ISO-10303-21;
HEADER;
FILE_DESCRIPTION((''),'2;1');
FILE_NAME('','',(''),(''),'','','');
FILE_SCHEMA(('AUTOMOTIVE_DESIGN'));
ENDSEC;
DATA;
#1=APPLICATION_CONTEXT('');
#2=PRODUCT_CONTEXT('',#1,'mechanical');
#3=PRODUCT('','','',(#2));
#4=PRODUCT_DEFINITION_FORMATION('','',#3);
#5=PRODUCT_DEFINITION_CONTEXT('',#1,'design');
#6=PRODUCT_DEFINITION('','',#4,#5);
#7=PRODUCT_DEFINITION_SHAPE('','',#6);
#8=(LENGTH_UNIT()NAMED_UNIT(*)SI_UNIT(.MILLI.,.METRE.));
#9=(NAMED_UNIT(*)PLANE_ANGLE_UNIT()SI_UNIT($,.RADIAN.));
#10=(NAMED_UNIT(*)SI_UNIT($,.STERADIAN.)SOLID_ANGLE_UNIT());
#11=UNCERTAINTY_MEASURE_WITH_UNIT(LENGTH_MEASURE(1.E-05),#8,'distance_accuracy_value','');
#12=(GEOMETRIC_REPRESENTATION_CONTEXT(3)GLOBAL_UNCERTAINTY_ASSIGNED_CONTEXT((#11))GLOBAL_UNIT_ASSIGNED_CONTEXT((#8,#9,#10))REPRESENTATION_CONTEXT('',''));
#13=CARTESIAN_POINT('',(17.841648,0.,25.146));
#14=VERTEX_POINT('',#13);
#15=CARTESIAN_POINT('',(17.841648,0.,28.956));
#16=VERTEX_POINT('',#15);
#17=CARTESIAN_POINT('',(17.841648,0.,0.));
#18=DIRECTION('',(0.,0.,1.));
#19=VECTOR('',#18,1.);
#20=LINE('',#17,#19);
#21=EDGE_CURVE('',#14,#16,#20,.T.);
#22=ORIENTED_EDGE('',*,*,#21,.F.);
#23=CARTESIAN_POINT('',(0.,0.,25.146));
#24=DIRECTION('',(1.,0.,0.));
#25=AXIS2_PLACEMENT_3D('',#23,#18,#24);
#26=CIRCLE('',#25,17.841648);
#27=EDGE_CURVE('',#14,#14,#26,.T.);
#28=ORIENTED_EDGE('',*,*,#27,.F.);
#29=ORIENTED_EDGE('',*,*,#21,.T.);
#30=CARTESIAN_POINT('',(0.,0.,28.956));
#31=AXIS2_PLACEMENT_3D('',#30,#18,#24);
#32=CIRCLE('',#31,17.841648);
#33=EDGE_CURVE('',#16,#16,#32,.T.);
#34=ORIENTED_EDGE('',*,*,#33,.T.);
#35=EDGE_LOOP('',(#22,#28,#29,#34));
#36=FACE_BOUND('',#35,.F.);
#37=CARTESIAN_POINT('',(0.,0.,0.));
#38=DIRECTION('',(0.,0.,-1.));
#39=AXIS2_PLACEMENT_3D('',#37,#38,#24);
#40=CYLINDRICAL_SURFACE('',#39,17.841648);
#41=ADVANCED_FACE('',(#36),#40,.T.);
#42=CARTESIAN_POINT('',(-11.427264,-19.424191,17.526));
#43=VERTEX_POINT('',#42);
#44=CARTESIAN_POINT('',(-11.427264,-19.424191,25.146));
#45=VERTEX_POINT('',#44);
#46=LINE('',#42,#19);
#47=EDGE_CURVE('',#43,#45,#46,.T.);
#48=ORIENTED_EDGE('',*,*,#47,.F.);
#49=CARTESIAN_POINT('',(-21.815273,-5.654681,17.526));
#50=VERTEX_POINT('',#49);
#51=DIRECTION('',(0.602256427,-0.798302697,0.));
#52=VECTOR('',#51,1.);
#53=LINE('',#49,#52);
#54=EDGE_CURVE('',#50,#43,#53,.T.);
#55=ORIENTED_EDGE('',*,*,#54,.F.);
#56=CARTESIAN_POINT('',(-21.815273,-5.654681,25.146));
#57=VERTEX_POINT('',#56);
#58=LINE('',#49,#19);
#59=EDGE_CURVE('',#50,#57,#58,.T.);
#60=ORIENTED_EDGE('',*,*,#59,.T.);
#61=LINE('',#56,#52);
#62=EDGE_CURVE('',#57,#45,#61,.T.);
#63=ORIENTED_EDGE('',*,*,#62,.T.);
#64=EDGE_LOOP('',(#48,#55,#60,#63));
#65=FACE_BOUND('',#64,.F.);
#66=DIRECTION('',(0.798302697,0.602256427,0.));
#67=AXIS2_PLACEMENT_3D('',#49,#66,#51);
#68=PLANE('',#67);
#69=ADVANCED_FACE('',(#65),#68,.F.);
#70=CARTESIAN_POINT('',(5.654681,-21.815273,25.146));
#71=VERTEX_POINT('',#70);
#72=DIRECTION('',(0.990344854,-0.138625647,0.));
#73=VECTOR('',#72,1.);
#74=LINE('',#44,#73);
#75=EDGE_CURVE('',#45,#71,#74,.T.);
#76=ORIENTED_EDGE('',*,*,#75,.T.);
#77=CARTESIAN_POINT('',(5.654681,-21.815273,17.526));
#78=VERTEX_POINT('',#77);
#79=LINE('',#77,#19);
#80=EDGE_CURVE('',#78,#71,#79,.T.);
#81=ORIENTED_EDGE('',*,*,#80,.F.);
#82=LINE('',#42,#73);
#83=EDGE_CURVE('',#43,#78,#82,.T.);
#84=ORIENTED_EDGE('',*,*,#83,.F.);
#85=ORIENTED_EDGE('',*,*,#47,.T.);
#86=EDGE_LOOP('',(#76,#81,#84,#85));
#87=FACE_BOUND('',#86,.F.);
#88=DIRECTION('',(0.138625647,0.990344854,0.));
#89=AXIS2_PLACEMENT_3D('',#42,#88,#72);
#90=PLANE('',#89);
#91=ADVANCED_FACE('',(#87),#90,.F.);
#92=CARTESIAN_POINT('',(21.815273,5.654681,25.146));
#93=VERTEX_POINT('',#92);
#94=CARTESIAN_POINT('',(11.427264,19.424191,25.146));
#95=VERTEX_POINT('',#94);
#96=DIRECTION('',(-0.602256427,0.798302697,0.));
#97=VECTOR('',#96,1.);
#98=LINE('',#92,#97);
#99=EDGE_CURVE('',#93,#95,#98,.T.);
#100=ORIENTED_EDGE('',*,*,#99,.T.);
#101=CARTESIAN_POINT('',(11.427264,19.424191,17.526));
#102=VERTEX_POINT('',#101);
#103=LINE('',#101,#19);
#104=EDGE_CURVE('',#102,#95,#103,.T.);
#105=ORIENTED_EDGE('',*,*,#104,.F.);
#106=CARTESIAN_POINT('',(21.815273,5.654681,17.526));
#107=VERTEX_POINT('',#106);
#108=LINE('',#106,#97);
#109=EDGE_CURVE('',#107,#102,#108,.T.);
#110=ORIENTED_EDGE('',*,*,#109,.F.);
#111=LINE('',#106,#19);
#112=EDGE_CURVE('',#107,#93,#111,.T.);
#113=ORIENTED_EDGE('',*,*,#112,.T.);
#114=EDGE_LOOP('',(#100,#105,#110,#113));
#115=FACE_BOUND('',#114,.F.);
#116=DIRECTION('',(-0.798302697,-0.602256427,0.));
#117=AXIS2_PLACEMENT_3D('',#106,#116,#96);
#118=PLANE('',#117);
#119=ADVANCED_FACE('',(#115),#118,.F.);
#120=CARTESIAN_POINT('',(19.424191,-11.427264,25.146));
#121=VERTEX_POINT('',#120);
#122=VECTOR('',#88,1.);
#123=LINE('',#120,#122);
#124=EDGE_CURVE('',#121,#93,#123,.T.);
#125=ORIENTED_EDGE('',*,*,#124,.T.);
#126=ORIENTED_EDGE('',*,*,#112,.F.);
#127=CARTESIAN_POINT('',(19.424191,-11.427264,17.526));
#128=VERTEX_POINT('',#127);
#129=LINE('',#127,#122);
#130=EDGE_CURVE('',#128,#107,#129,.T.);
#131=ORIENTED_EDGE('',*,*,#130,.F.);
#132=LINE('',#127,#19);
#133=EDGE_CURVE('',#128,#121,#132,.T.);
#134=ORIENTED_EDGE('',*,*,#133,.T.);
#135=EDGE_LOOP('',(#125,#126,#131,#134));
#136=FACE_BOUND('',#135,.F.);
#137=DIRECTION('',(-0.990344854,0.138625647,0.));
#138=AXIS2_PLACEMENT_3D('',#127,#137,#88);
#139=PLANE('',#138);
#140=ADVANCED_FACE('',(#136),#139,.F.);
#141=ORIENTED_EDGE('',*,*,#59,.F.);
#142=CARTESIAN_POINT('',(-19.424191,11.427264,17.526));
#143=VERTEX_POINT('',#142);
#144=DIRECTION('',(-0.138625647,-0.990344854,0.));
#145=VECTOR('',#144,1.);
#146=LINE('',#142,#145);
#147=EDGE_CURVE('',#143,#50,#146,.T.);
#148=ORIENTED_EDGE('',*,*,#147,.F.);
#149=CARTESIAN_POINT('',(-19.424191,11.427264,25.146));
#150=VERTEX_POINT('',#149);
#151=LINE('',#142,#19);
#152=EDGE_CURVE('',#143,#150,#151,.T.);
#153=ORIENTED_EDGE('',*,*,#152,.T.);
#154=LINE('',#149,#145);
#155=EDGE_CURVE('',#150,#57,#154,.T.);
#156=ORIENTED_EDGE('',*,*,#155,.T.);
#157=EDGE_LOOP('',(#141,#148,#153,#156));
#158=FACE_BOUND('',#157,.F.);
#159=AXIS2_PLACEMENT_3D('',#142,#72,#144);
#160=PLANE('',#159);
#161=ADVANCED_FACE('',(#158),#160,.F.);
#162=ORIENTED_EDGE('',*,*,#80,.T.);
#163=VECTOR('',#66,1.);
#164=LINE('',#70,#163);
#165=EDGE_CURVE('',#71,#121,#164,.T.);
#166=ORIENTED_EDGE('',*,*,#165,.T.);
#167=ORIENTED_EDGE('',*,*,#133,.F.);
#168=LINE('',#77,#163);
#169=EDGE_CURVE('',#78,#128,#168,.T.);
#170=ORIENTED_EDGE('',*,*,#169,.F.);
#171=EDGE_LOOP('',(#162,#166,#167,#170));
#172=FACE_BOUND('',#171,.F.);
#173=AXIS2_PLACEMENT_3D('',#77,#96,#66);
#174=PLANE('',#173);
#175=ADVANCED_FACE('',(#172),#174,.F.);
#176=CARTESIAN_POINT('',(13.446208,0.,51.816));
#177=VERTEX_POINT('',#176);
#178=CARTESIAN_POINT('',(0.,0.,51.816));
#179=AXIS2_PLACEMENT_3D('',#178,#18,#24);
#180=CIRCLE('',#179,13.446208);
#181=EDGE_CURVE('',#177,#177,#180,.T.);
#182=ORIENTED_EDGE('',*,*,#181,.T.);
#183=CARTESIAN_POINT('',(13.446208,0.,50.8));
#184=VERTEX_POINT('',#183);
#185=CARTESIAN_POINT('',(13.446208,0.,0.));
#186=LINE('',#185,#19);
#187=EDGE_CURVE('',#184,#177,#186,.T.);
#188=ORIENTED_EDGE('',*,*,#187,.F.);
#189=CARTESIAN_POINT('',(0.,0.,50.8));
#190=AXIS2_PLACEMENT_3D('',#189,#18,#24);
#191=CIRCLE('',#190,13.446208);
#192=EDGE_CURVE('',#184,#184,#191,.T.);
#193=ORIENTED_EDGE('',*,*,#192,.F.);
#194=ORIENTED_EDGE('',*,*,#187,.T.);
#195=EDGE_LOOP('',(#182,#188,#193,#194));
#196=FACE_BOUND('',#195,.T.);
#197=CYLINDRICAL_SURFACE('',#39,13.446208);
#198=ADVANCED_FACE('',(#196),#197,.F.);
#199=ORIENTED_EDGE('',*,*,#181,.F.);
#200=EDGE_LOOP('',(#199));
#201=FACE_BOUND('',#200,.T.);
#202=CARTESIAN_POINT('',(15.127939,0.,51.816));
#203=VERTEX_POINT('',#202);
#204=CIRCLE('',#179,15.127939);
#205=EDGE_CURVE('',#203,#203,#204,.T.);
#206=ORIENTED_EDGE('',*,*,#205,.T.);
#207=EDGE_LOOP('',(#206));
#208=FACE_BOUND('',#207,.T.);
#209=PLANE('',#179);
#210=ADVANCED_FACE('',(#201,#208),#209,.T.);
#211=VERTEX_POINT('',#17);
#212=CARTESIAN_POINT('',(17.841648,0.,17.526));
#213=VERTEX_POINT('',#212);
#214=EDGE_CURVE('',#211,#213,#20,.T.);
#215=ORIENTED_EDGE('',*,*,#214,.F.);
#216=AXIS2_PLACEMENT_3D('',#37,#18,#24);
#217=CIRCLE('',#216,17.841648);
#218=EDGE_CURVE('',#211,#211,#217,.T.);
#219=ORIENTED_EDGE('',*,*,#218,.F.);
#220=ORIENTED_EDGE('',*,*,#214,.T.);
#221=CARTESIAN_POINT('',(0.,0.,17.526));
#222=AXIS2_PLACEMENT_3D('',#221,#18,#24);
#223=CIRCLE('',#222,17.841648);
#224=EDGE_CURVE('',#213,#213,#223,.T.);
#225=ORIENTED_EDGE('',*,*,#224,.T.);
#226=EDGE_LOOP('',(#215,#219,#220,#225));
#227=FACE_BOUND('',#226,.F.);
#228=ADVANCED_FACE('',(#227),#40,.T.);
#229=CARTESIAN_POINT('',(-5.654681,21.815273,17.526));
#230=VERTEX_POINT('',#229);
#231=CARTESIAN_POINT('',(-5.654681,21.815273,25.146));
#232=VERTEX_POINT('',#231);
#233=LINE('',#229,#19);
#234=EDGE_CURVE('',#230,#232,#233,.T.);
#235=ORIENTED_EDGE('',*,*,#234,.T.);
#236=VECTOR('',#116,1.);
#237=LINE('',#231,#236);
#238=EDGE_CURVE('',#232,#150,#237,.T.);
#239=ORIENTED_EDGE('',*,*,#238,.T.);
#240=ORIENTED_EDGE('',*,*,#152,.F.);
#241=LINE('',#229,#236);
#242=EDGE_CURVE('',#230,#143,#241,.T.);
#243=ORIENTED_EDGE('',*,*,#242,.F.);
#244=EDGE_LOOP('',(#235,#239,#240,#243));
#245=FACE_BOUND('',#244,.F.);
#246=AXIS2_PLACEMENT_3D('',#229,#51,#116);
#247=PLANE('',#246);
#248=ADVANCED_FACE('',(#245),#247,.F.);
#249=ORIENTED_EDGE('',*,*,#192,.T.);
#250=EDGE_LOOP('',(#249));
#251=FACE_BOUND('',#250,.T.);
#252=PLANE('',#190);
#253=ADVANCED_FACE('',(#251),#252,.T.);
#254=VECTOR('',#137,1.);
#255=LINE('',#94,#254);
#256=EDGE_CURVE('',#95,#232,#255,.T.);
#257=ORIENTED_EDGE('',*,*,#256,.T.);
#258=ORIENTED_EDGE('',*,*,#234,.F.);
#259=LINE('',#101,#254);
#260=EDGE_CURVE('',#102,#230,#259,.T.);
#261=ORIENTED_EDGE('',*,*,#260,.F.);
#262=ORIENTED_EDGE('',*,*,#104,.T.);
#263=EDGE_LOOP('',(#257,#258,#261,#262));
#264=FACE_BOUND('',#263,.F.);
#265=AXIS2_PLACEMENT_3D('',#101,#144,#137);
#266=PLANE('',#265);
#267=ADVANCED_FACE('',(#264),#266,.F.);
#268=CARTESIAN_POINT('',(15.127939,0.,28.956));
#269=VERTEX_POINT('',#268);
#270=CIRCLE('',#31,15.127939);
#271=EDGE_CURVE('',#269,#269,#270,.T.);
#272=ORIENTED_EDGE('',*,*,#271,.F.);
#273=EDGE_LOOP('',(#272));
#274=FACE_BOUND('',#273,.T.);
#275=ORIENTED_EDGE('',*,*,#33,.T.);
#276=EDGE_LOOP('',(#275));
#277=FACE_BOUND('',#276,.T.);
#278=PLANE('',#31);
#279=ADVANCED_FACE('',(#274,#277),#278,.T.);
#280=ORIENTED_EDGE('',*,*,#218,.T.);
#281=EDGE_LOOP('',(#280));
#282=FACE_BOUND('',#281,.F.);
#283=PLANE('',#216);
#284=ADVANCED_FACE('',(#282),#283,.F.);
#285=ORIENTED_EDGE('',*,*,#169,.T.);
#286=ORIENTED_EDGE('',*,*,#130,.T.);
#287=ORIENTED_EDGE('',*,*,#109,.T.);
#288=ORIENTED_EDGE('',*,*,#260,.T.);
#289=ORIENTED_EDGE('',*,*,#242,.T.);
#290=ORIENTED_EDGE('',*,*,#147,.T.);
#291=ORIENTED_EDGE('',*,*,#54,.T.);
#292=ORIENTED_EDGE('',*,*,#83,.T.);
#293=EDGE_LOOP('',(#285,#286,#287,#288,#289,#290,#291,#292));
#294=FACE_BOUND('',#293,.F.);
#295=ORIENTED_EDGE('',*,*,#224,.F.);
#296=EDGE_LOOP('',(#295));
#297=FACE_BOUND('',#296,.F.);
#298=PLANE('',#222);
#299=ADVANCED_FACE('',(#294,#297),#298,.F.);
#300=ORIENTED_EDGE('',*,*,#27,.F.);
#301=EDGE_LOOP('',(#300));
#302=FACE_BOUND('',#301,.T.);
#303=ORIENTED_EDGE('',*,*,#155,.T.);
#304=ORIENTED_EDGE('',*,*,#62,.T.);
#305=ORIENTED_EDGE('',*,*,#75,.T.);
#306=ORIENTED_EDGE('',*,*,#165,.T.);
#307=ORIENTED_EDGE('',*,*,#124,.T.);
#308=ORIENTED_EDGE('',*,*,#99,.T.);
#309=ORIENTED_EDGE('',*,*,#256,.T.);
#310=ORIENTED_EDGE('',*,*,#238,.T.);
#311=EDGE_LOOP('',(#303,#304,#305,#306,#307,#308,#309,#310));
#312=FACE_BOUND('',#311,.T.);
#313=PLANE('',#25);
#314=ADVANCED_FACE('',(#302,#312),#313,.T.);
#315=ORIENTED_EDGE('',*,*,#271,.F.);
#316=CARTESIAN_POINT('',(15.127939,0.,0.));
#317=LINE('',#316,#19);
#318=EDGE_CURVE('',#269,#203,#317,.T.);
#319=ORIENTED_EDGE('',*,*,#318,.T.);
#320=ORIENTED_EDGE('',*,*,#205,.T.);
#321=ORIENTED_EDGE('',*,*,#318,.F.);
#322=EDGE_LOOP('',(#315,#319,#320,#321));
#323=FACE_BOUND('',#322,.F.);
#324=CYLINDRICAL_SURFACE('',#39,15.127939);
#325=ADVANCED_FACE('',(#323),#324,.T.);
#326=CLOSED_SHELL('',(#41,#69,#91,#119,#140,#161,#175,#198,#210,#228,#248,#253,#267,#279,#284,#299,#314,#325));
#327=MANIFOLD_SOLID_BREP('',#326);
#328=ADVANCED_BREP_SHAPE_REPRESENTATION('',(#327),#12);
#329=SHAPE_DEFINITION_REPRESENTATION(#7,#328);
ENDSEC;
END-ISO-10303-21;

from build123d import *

# Parameters (mm, degrees)
F0_R     = 13.4462075072
F1_DEPTH = 50.8
F0_R_2   = 15.1279388752
F2_DEPTH = 51.816
F0_R_3   = 17.8416483947
F3_DEPTH = 28.956
F4_START = 17.526
F4_DEPTH = 7.62


with BuildPart() as f1:
    # F0 (on Top) → F1 (new body)
    with BuildSketch(Plane.XY):
        Circle(F0_R)
    extrude(amount=F1_DEPTH)

    # F0 (on Top) → F2 (join)
    with BuildSketch(Plane.XY):
        Circle(F0_R_2)
        Circle(F0_R, mode=Mode.SUBTRACT)
    extrude(amount=F2_DEPTH)

    # F0 (on Top) → F3 (join)
    with BuildSketch(Plane.XY):
        Circle(F0_R_3)
        Circle(F0_R_2, mode=Mode.SUBTRACT)
    extrude(amount=F3_DEPTH)

    # F0 (on Top) → F4 (join)
    with BuildSketch(Plane.XY.offset(F4_START)):
        Polygon((21.8152726681, 5.6546813213), (11.4272637293, 19.4241907448), (-5.6546813213, 21.8152726681), (-19.4241907448, 11.4272637293), (-21.8152726681, -5.6546813213), (-11.4272637293, -19.4241907448), (5.6546813213, -21.8152726681), (19.4241907448, -11.4272637293), align=None)
        Circle(F0_R_3, mode=Mode.SUBTRACT)
    extrude(amount=F4_DEPTH)


solid = f1.part
